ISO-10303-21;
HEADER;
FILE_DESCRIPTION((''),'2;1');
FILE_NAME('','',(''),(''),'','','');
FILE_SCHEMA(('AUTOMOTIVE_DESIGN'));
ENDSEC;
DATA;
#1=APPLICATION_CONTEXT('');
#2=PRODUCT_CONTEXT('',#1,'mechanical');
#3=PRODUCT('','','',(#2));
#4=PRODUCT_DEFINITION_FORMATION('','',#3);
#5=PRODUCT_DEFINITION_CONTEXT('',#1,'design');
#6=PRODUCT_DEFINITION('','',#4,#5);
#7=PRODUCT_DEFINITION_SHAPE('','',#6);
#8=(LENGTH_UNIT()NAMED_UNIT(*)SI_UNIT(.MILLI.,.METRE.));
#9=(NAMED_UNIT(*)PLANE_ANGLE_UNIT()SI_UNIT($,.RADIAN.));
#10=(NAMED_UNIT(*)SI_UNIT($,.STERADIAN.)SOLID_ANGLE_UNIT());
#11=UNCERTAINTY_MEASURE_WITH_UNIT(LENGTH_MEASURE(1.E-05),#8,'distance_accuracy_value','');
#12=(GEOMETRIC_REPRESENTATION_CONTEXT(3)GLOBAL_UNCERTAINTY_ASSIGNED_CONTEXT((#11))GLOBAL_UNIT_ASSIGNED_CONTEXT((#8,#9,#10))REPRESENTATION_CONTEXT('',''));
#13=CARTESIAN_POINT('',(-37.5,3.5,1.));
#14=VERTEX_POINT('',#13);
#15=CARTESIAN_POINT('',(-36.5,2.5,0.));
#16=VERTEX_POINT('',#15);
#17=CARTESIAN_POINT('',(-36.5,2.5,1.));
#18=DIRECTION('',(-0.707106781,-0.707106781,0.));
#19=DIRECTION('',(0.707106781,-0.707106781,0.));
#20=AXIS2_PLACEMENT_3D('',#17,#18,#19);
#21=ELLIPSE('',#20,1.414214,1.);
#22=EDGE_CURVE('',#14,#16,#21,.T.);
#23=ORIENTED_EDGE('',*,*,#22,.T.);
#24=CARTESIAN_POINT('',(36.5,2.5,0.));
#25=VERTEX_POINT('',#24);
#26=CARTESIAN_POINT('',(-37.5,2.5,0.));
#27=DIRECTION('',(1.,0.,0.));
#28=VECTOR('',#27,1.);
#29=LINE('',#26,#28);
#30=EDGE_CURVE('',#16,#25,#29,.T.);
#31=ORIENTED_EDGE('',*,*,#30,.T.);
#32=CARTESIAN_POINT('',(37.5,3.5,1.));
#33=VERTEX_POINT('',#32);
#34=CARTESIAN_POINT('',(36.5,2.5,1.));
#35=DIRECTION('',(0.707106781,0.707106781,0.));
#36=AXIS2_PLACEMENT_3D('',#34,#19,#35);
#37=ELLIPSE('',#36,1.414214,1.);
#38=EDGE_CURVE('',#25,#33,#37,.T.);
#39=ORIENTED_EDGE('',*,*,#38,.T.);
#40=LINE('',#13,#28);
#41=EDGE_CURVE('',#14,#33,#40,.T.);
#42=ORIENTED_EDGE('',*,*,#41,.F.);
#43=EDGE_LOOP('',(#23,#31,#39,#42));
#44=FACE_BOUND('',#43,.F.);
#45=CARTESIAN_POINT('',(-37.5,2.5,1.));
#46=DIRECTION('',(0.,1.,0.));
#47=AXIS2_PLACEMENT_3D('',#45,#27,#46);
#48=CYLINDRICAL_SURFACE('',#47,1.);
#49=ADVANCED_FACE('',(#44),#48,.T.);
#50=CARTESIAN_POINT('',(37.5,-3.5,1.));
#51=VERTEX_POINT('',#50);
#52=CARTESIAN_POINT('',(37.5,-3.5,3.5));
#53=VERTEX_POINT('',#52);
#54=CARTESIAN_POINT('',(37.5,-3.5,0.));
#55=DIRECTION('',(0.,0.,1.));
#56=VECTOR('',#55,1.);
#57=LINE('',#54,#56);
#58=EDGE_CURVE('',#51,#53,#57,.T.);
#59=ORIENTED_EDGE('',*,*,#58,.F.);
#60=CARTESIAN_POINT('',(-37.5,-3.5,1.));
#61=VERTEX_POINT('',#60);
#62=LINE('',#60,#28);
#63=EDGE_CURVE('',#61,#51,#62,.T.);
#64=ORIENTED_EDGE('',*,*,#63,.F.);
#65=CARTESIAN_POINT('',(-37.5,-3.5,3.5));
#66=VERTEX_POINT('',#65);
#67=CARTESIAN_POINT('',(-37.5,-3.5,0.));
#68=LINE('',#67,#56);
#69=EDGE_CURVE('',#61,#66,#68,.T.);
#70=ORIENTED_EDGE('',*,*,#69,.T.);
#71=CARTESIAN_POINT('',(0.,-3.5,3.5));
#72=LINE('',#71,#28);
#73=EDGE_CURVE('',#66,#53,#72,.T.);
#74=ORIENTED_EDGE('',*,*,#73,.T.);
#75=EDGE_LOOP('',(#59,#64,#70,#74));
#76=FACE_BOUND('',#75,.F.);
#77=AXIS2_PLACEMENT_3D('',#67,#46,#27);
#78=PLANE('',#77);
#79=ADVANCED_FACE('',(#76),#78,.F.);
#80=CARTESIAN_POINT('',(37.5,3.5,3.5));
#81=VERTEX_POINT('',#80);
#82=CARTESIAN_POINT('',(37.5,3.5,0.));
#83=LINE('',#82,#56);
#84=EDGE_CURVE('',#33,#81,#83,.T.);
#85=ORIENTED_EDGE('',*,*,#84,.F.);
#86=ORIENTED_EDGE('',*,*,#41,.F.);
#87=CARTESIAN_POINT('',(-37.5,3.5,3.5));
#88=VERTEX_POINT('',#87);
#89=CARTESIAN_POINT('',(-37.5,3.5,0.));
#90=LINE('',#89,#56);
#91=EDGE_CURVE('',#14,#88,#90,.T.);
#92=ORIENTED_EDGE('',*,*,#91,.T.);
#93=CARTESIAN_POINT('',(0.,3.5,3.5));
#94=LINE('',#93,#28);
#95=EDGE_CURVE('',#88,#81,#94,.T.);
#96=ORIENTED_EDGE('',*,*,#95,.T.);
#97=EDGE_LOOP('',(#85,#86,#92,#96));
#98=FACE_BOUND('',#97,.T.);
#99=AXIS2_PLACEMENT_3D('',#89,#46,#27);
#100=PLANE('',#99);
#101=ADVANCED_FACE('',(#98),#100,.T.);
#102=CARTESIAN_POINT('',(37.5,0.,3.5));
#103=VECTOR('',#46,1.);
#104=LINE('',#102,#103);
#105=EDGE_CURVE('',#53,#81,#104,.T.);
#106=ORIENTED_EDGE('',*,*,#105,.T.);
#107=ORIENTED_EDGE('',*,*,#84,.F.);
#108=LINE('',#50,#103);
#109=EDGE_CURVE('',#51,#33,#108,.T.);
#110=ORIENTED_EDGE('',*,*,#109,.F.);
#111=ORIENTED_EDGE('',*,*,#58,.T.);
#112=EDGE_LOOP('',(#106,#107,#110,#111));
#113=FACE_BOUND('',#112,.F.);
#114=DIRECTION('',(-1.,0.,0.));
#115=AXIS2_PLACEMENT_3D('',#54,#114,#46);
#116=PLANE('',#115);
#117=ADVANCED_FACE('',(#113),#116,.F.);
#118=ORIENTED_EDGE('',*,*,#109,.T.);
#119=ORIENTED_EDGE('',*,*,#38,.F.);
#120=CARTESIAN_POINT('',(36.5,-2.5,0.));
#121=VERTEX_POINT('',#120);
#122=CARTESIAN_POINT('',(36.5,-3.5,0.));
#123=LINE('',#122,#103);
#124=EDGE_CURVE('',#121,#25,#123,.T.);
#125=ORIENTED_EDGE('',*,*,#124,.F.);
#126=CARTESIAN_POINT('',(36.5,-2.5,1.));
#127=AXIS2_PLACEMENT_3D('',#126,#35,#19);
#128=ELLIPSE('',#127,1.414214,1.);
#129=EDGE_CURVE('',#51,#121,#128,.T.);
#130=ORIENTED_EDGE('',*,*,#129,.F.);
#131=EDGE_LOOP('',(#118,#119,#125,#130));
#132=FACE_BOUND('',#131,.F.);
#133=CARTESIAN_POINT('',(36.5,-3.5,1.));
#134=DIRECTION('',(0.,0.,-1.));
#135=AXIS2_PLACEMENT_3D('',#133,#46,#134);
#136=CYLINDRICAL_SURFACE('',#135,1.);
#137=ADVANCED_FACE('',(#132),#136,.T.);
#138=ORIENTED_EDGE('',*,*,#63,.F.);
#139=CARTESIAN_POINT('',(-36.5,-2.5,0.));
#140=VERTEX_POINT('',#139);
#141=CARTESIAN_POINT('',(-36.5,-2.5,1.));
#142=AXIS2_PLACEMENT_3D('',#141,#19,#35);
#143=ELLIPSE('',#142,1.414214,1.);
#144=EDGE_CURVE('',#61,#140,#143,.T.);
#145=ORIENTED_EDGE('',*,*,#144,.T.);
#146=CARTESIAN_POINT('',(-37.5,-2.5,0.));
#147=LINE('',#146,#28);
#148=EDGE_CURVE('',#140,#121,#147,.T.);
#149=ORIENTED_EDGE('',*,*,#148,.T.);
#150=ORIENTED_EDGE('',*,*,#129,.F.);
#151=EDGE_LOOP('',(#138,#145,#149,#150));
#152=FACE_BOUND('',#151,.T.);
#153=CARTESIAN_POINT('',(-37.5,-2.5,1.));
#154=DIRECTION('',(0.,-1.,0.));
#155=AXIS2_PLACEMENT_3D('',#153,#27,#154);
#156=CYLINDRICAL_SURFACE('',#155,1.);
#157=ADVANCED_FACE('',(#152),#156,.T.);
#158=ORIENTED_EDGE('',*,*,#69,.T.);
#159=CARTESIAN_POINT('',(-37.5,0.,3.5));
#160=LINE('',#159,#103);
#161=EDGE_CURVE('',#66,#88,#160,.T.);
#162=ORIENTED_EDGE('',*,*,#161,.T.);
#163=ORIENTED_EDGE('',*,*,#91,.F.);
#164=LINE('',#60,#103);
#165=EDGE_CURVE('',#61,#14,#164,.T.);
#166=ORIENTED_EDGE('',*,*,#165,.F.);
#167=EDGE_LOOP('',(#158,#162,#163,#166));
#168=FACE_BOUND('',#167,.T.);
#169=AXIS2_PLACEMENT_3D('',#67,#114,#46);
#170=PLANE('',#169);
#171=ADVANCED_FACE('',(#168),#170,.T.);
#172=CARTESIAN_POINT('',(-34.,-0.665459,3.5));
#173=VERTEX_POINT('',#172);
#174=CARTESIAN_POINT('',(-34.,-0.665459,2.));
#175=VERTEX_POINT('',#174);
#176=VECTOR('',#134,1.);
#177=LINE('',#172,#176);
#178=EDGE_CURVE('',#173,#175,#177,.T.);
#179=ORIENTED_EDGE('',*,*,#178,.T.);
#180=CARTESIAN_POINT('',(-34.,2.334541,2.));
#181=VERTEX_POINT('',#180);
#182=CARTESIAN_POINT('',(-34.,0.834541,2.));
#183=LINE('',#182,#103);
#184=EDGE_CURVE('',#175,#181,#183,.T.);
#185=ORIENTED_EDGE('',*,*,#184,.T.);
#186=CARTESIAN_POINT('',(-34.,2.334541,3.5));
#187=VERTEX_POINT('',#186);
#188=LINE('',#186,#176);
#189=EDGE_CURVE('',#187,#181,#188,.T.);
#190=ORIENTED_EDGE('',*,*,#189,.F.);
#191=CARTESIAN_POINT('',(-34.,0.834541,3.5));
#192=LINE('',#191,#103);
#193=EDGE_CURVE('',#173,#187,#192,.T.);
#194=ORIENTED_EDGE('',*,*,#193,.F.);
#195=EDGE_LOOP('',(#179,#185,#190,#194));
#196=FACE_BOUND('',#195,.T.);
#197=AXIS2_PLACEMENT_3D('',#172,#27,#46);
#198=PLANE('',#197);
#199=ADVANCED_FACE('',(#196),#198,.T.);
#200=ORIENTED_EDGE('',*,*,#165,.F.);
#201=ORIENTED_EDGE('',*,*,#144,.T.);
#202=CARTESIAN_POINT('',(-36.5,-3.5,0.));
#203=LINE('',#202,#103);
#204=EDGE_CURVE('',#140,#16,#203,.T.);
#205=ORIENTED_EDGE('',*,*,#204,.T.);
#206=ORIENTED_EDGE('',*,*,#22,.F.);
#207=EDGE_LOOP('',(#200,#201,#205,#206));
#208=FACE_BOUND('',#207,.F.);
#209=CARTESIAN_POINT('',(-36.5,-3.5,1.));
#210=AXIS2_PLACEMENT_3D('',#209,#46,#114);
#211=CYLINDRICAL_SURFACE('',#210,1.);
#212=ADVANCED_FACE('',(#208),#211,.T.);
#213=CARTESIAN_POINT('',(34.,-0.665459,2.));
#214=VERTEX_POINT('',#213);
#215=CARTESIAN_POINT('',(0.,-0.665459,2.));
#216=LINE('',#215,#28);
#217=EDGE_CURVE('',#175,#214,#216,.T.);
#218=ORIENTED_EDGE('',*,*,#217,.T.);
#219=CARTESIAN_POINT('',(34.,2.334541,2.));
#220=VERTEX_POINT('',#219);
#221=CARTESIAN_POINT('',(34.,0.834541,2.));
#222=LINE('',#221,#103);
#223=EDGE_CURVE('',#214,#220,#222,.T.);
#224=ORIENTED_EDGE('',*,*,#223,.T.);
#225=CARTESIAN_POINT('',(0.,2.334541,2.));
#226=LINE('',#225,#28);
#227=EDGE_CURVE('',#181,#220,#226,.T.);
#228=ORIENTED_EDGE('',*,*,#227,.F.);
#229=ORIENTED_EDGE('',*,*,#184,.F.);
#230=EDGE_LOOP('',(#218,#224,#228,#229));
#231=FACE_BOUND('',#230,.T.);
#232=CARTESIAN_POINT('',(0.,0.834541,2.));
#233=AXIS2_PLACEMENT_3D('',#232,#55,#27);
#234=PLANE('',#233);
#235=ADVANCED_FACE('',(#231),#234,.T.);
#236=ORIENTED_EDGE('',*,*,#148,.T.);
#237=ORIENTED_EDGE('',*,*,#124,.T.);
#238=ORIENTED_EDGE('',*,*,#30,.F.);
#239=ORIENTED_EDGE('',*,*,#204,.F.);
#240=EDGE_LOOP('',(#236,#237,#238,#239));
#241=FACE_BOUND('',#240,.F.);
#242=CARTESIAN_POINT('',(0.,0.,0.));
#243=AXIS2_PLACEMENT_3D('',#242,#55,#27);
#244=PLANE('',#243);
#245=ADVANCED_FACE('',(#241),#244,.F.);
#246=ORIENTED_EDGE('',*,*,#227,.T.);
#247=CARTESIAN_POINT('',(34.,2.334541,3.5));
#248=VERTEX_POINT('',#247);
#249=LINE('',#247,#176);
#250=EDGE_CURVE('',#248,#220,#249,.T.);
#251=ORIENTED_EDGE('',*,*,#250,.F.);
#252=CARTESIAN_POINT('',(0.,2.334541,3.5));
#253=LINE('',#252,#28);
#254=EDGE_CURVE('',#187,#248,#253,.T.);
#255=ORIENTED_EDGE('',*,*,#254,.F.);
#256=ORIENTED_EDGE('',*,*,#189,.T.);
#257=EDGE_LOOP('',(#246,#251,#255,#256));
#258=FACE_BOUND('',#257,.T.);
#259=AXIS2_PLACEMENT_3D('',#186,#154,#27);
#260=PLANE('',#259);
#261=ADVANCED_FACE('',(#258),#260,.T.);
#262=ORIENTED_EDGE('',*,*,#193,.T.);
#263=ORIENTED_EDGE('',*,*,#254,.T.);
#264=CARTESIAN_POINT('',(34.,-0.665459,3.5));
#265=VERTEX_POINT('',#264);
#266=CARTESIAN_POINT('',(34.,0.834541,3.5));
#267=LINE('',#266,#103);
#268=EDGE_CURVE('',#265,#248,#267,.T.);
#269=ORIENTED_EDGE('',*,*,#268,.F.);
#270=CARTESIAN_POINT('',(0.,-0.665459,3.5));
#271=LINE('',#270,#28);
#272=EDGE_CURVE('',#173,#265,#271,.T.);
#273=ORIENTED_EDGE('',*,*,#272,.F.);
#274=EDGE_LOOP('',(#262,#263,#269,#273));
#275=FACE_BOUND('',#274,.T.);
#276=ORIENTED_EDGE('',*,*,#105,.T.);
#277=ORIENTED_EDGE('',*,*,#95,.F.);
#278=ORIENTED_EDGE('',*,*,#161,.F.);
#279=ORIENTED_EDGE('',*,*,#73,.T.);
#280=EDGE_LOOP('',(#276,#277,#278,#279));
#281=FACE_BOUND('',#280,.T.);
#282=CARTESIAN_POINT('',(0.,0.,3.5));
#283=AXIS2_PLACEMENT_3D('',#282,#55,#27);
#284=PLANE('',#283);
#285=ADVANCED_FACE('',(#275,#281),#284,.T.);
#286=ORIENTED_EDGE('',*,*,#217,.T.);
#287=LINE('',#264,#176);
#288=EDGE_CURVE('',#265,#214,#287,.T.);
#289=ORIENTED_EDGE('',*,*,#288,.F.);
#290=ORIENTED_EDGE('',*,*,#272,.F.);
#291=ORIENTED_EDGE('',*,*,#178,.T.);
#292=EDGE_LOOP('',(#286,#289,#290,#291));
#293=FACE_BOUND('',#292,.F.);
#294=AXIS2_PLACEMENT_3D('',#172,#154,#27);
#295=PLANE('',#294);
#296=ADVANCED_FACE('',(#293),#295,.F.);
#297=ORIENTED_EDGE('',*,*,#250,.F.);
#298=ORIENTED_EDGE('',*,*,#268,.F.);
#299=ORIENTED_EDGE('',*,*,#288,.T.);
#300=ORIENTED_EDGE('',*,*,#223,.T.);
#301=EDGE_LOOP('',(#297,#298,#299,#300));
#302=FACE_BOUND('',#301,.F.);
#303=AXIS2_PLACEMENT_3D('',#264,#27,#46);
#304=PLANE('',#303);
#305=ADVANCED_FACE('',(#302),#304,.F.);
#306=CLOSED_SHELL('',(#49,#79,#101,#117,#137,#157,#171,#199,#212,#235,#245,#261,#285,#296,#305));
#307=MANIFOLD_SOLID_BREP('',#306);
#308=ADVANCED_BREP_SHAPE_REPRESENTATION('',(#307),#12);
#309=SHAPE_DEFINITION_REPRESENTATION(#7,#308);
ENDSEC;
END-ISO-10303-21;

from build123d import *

# Parameters (mm, degrees)
F0_W     = 75
F0_H     = 7
F1_DEPTH = 3.5
F2_W     = 68
F2_H     = 3
F3_DEPTH = 1.5
F4_R     = 1


with BuildPart() as f1:
    # F0 (on Top) → F1 (new body)
    with BuildSketch(Plane.XY):
        Rectangle(F0_W, F0_H)
    extrude(amount=F1_DEPTH)

    # F2 (on face) → F3 (cut)
    with BuildSketch(Plane.XY.offset(3.5)):
        with Locations((0, 0.834541)):
            Rectangle(F2_W, F2_H)
    extrude(amount=-F3_DEPTH, mode=Mode.SUBTRACT)

    # F4
    f4_edges = [f1.edges().sort_by_distance(p)[0] for p in [
        (0, -3.5, 0),
        (37.5, 0, 0),
        (0, 3.5, 0),
        (-37.5, 0, 0),
    ]]
    fillet(f4_edges, radius=F4_R)


solid = f1.part
